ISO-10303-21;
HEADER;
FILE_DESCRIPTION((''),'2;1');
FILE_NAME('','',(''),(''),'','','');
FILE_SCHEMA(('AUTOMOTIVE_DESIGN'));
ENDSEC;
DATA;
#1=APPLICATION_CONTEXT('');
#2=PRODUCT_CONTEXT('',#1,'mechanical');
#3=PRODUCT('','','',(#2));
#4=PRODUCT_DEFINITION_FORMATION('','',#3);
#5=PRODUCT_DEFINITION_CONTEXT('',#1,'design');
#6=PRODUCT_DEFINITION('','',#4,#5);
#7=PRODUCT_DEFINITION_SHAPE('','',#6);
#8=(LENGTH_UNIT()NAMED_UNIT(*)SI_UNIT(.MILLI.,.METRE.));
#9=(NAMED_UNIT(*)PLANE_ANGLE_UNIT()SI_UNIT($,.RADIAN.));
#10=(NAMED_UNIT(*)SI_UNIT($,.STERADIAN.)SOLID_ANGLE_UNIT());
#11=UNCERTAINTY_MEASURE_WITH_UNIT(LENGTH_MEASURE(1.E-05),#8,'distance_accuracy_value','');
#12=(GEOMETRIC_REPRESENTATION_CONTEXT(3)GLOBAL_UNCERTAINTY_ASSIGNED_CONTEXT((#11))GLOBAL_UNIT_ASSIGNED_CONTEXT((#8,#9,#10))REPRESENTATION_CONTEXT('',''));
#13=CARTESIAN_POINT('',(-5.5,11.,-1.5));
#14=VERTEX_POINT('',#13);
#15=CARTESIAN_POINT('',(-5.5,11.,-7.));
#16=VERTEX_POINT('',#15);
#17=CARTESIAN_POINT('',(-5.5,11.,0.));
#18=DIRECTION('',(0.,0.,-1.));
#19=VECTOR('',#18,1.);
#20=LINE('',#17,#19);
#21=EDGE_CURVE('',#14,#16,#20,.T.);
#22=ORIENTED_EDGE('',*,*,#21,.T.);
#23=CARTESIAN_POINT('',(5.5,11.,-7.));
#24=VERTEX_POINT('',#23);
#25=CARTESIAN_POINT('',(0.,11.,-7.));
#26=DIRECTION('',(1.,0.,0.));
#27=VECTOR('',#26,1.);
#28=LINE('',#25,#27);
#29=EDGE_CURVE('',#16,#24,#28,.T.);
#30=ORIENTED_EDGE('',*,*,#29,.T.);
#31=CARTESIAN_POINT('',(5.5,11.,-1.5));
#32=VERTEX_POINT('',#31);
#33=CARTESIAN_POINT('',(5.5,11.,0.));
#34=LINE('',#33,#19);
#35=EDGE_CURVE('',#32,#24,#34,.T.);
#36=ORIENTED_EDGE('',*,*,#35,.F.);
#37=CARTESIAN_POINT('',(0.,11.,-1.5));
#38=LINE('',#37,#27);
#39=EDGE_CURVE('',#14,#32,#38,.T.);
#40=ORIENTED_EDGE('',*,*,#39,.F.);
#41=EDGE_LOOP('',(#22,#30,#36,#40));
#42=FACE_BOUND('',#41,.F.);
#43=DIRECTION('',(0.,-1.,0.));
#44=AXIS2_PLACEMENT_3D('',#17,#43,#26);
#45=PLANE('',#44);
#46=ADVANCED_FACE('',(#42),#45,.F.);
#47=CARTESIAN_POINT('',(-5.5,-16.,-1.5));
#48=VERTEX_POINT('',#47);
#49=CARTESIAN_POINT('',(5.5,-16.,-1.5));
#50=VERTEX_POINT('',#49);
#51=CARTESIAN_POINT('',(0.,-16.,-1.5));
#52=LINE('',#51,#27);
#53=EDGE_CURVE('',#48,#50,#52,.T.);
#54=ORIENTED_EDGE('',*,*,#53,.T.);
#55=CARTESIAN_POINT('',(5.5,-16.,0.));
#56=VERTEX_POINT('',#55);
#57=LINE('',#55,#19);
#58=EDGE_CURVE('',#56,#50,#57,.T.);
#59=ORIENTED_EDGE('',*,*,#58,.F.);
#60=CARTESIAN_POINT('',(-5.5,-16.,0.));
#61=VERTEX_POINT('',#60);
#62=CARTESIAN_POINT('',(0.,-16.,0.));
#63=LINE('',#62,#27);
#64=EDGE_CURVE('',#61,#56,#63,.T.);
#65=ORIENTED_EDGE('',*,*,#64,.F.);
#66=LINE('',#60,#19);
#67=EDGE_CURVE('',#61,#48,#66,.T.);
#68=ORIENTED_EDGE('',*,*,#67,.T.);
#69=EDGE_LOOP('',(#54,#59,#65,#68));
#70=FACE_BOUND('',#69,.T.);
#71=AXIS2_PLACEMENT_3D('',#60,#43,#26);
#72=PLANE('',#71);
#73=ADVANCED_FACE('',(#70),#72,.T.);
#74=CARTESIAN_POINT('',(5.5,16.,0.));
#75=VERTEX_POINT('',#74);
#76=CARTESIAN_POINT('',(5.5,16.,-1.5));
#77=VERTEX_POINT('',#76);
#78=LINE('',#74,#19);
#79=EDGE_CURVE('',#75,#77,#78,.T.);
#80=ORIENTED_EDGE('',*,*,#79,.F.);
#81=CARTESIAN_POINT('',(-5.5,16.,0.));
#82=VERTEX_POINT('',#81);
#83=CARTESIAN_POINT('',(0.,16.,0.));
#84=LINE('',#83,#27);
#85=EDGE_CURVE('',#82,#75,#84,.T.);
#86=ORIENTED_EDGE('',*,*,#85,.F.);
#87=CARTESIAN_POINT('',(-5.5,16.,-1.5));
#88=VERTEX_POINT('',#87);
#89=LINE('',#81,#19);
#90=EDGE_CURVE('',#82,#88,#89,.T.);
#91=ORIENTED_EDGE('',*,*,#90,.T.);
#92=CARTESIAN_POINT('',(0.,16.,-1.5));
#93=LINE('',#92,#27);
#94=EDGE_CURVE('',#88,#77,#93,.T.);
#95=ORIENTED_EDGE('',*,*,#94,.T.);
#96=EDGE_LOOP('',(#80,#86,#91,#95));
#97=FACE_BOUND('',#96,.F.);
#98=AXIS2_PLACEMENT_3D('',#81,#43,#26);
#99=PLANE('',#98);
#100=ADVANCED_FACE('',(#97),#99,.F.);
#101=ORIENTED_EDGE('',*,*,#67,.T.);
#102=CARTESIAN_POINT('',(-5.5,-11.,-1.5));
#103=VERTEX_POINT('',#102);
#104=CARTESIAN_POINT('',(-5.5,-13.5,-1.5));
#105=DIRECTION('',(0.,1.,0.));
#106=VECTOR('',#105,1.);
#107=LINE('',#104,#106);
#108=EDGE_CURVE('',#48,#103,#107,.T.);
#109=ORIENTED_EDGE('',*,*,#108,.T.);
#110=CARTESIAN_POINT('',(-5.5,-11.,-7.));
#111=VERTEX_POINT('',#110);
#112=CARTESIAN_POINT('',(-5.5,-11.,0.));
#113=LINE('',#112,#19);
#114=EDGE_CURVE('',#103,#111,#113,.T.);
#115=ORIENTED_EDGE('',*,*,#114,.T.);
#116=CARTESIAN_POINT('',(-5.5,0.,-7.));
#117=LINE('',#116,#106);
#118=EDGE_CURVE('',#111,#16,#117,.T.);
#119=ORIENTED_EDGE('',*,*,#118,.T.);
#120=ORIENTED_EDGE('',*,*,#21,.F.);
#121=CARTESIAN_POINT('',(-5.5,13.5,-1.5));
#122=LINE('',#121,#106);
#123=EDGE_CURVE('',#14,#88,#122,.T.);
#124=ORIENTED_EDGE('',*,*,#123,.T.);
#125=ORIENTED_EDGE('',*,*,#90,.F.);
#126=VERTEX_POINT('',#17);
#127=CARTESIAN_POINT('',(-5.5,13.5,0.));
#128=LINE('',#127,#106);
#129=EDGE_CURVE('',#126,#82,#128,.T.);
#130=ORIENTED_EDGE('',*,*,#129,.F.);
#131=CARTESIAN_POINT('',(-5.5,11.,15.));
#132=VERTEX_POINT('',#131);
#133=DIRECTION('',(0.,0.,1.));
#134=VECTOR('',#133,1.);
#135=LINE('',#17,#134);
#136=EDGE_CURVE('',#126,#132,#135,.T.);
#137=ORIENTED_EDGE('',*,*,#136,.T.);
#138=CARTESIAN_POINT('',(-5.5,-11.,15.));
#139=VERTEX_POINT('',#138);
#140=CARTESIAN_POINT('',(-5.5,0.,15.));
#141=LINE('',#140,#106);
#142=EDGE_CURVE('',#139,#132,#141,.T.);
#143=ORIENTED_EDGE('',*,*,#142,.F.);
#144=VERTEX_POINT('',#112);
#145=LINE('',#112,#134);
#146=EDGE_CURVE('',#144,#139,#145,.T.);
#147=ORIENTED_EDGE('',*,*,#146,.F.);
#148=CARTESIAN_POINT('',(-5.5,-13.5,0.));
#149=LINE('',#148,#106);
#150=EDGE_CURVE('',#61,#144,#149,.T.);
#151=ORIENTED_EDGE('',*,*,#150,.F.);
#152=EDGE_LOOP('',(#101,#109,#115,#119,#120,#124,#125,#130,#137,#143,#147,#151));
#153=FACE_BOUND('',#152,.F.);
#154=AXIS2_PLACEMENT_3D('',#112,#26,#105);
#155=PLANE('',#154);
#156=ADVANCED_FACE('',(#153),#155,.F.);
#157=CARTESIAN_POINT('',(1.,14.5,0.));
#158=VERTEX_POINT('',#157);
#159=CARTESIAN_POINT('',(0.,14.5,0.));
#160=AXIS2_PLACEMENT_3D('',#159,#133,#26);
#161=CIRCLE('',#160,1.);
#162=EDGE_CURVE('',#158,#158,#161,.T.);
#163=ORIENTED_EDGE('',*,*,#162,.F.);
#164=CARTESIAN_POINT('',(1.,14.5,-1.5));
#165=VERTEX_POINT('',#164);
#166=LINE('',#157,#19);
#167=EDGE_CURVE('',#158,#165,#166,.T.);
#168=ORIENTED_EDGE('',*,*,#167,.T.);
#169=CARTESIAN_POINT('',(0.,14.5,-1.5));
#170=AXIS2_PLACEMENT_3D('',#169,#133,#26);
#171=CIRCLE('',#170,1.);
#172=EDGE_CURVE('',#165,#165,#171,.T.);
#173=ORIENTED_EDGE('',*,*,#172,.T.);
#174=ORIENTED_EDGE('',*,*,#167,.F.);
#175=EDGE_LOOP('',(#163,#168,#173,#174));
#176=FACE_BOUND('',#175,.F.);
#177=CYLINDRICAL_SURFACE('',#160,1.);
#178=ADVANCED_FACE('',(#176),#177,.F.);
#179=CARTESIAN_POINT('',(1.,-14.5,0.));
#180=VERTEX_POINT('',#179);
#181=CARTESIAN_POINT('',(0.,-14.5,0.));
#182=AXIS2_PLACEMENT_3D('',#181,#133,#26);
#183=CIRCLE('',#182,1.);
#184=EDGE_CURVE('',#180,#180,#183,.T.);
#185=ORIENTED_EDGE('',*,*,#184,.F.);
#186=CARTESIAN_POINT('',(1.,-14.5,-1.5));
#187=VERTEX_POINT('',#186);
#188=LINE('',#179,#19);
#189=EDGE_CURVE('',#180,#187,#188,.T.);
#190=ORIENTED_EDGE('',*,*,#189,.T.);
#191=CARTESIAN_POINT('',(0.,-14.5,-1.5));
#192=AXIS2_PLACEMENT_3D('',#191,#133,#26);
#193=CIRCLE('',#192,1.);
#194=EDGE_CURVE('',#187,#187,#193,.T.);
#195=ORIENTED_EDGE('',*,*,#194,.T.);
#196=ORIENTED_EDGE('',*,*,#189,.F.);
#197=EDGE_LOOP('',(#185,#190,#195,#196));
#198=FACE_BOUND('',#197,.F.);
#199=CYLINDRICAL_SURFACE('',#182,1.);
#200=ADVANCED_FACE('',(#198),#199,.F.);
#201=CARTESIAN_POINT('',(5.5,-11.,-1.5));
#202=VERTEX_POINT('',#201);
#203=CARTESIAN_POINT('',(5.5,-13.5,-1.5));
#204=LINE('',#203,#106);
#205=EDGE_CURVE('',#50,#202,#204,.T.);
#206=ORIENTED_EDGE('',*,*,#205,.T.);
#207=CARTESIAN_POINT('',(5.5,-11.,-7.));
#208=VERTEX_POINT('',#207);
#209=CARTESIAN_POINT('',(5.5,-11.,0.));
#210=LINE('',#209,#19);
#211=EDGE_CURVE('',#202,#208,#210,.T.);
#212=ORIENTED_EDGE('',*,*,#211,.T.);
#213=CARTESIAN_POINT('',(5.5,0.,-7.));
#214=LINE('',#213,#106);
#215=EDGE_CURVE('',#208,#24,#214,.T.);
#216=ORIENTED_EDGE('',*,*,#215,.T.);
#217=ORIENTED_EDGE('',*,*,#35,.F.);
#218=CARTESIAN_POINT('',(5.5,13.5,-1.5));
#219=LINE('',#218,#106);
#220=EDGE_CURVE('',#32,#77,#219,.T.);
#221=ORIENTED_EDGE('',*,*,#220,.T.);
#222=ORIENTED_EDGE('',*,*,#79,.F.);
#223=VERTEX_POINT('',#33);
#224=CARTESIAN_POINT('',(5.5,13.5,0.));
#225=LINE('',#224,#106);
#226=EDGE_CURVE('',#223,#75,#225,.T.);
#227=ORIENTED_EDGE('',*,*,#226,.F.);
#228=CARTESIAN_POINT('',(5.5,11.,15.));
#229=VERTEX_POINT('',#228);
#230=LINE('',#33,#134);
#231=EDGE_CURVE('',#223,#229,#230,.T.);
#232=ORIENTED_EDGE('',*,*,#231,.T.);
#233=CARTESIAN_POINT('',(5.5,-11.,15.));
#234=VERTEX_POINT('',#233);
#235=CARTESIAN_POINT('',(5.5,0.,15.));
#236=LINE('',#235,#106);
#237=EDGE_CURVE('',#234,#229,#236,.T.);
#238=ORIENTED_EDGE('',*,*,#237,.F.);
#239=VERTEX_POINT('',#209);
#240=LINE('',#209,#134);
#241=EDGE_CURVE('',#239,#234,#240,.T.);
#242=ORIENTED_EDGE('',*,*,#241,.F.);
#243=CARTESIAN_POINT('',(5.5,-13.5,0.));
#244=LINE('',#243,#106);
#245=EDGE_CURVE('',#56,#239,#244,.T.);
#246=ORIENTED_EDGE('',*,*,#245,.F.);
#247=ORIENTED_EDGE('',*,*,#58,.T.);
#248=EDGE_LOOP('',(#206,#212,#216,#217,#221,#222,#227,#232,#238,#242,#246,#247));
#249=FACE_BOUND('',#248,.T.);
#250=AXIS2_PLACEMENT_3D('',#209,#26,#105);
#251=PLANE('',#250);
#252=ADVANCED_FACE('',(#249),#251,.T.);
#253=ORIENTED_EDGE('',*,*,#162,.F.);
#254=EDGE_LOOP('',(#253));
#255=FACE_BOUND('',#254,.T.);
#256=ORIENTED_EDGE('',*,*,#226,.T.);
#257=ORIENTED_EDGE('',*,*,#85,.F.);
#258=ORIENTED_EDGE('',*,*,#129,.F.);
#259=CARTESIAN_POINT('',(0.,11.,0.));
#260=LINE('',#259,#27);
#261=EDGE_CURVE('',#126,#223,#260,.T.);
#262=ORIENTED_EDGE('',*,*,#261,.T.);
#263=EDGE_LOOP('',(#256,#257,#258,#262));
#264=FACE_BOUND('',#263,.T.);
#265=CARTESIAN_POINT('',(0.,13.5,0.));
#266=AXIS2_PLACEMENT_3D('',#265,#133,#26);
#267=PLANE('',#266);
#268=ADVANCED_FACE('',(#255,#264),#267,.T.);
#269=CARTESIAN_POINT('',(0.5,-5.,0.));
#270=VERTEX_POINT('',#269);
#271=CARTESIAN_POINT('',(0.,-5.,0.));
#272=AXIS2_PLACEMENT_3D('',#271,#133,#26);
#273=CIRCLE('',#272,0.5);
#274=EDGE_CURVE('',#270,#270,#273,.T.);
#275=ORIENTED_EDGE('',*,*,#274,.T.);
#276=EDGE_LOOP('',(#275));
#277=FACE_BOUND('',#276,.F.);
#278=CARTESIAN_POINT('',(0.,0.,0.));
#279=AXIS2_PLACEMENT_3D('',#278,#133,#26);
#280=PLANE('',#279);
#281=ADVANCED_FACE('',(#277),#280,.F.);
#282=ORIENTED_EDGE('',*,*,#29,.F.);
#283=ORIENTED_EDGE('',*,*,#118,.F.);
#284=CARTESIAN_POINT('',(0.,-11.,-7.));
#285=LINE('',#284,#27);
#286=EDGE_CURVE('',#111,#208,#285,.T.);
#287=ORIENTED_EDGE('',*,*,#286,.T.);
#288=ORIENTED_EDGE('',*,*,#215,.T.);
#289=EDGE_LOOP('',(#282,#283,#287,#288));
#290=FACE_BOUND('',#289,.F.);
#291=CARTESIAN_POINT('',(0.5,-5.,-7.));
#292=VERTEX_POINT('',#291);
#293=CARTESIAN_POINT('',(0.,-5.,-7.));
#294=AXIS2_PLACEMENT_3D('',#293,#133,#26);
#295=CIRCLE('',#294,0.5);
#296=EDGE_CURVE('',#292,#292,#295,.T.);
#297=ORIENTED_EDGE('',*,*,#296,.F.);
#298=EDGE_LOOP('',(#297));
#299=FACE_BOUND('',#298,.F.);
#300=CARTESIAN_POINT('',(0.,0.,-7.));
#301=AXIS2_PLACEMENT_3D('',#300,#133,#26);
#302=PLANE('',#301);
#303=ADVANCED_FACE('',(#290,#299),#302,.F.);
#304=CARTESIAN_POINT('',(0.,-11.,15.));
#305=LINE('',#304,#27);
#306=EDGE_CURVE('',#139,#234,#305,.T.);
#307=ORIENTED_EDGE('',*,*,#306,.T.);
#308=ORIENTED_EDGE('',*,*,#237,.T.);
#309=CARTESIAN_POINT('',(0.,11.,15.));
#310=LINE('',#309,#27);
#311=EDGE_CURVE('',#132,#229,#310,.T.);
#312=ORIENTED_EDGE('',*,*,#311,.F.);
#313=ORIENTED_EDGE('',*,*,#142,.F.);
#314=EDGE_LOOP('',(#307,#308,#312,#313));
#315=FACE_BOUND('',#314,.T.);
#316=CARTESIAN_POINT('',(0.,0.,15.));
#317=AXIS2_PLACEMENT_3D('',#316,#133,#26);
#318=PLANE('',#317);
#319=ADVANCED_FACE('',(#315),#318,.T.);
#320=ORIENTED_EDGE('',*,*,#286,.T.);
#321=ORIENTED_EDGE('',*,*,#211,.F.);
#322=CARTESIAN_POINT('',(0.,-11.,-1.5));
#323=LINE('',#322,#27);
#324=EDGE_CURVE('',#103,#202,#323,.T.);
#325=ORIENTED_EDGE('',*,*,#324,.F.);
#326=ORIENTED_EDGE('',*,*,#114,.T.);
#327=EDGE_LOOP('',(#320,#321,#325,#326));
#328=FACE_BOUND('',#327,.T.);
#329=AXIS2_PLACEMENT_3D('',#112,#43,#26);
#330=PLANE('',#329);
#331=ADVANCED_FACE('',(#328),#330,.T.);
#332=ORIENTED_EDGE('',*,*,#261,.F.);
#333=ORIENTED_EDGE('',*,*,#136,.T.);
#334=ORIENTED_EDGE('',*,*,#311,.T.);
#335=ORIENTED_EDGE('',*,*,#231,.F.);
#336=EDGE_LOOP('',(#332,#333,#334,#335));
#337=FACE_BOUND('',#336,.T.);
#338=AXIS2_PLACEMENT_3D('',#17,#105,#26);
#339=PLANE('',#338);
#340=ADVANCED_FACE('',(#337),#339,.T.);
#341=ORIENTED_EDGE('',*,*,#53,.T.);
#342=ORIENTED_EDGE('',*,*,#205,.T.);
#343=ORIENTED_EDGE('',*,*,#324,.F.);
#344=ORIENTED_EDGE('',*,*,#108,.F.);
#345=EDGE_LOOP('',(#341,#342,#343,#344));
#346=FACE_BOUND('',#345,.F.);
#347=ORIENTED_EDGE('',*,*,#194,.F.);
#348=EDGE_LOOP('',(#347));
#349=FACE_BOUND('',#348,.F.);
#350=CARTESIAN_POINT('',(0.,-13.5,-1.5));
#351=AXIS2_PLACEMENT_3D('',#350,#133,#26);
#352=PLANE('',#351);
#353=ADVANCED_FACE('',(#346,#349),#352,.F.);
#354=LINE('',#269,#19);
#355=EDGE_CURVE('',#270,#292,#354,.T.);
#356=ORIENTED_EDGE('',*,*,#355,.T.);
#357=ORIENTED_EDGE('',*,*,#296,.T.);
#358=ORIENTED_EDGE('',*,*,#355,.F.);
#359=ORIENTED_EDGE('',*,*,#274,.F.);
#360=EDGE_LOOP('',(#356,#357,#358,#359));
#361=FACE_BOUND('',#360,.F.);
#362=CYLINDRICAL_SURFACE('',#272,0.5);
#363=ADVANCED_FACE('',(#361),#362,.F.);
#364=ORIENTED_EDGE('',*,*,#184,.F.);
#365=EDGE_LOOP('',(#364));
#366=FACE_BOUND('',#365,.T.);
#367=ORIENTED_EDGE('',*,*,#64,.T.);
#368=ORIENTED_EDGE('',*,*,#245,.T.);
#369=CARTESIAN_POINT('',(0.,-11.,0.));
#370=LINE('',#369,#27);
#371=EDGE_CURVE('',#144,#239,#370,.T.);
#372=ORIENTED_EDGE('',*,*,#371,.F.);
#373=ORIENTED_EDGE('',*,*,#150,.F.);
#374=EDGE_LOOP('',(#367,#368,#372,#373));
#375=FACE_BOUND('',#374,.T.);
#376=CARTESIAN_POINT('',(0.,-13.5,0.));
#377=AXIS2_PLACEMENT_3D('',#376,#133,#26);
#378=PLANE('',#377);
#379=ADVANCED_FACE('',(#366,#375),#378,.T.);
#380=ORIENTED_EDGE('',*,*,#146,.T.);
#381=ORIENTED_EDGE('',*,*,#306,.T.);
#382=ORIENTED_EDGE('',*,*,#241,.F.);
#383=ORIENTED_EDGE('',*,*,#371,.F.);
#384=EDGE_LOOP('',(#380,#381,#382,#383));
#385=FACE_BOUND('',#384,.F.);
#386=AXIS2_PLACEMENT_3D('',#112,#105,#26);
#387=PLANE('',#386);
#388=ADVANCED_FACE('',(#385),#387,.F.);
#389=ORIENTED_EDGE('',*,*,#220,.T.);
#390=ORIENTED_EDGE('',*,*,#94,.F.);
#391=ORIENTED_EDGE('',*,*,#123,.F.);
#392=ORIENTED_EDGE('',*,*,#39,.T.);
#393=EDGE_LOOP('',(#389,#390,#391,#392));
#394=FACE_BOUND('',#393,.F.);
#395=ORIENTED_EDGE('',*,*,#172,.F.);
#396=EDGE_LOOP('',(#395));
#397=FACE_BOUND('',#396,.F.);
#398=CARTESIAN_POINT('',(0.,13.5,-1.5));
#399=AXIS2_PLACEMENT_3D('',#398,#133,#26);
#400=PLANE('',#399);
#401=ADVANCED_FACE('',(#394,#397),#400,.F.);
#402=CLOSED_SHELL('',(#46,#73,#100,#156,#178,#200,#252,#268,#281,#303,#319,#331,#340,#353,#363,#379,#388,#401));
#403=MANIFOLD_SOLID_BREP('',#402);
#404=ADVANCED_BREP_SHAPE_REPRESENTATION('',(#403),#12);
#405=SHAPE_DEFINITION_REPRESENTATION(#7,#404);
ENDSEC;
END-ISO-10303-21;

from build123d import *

# Parameters (mm, degrees)
F0_W     = 11
F0_H     = 22
F0_R     = 0.5
F1_DEPTH = 15
F0_H_2   = 5
F0_R_2   = 1
F2_DEPTH = 1.5
F3_DEPTH = 7


with BuildPart() as f1:
    # F0 (on Top) → F1 (new body)
    with BuildSketch(Plane.XY):
        Rectangle(F0_W, F0_H)
        with Locations((0, -5)):
            Circle(F0_R, mode=Mode.SUBTRACT)
        with Locations((0, -5)):
            Circle(F0_R)
    extrude(amount=F1_DEPTH)

    # F0 (on Top) → F2 (join)
    with BuildSketch(Plane.XY):
        with Locations((0, -13.5)):
            Rectangle(F0_W, F0_H_2)
        with Locations((0, -14.5)):
            Circle(F0_R_2, mode=Mode.SUBTRACT)
        with Locations((0, 13.5)):
            Rectangle(F0_W, F0_H_2)
        with Locations((0, 14.5)):
            Circle(F0_R_2, mode=Mode.SUBTRACT)
    extrude(amount=-F2_DEPTH)

    # F0 (on Top) → F3 (join)
    with BuildSketch(Plane.XY):
        Rectangle(F0_W, F0_H)
        with Locations((0, -5)):
            Circle(F0_R, mode=Mode.SUBTRACT)
    extrude(amount=-F3_DEPTH)


solid = f1.part
